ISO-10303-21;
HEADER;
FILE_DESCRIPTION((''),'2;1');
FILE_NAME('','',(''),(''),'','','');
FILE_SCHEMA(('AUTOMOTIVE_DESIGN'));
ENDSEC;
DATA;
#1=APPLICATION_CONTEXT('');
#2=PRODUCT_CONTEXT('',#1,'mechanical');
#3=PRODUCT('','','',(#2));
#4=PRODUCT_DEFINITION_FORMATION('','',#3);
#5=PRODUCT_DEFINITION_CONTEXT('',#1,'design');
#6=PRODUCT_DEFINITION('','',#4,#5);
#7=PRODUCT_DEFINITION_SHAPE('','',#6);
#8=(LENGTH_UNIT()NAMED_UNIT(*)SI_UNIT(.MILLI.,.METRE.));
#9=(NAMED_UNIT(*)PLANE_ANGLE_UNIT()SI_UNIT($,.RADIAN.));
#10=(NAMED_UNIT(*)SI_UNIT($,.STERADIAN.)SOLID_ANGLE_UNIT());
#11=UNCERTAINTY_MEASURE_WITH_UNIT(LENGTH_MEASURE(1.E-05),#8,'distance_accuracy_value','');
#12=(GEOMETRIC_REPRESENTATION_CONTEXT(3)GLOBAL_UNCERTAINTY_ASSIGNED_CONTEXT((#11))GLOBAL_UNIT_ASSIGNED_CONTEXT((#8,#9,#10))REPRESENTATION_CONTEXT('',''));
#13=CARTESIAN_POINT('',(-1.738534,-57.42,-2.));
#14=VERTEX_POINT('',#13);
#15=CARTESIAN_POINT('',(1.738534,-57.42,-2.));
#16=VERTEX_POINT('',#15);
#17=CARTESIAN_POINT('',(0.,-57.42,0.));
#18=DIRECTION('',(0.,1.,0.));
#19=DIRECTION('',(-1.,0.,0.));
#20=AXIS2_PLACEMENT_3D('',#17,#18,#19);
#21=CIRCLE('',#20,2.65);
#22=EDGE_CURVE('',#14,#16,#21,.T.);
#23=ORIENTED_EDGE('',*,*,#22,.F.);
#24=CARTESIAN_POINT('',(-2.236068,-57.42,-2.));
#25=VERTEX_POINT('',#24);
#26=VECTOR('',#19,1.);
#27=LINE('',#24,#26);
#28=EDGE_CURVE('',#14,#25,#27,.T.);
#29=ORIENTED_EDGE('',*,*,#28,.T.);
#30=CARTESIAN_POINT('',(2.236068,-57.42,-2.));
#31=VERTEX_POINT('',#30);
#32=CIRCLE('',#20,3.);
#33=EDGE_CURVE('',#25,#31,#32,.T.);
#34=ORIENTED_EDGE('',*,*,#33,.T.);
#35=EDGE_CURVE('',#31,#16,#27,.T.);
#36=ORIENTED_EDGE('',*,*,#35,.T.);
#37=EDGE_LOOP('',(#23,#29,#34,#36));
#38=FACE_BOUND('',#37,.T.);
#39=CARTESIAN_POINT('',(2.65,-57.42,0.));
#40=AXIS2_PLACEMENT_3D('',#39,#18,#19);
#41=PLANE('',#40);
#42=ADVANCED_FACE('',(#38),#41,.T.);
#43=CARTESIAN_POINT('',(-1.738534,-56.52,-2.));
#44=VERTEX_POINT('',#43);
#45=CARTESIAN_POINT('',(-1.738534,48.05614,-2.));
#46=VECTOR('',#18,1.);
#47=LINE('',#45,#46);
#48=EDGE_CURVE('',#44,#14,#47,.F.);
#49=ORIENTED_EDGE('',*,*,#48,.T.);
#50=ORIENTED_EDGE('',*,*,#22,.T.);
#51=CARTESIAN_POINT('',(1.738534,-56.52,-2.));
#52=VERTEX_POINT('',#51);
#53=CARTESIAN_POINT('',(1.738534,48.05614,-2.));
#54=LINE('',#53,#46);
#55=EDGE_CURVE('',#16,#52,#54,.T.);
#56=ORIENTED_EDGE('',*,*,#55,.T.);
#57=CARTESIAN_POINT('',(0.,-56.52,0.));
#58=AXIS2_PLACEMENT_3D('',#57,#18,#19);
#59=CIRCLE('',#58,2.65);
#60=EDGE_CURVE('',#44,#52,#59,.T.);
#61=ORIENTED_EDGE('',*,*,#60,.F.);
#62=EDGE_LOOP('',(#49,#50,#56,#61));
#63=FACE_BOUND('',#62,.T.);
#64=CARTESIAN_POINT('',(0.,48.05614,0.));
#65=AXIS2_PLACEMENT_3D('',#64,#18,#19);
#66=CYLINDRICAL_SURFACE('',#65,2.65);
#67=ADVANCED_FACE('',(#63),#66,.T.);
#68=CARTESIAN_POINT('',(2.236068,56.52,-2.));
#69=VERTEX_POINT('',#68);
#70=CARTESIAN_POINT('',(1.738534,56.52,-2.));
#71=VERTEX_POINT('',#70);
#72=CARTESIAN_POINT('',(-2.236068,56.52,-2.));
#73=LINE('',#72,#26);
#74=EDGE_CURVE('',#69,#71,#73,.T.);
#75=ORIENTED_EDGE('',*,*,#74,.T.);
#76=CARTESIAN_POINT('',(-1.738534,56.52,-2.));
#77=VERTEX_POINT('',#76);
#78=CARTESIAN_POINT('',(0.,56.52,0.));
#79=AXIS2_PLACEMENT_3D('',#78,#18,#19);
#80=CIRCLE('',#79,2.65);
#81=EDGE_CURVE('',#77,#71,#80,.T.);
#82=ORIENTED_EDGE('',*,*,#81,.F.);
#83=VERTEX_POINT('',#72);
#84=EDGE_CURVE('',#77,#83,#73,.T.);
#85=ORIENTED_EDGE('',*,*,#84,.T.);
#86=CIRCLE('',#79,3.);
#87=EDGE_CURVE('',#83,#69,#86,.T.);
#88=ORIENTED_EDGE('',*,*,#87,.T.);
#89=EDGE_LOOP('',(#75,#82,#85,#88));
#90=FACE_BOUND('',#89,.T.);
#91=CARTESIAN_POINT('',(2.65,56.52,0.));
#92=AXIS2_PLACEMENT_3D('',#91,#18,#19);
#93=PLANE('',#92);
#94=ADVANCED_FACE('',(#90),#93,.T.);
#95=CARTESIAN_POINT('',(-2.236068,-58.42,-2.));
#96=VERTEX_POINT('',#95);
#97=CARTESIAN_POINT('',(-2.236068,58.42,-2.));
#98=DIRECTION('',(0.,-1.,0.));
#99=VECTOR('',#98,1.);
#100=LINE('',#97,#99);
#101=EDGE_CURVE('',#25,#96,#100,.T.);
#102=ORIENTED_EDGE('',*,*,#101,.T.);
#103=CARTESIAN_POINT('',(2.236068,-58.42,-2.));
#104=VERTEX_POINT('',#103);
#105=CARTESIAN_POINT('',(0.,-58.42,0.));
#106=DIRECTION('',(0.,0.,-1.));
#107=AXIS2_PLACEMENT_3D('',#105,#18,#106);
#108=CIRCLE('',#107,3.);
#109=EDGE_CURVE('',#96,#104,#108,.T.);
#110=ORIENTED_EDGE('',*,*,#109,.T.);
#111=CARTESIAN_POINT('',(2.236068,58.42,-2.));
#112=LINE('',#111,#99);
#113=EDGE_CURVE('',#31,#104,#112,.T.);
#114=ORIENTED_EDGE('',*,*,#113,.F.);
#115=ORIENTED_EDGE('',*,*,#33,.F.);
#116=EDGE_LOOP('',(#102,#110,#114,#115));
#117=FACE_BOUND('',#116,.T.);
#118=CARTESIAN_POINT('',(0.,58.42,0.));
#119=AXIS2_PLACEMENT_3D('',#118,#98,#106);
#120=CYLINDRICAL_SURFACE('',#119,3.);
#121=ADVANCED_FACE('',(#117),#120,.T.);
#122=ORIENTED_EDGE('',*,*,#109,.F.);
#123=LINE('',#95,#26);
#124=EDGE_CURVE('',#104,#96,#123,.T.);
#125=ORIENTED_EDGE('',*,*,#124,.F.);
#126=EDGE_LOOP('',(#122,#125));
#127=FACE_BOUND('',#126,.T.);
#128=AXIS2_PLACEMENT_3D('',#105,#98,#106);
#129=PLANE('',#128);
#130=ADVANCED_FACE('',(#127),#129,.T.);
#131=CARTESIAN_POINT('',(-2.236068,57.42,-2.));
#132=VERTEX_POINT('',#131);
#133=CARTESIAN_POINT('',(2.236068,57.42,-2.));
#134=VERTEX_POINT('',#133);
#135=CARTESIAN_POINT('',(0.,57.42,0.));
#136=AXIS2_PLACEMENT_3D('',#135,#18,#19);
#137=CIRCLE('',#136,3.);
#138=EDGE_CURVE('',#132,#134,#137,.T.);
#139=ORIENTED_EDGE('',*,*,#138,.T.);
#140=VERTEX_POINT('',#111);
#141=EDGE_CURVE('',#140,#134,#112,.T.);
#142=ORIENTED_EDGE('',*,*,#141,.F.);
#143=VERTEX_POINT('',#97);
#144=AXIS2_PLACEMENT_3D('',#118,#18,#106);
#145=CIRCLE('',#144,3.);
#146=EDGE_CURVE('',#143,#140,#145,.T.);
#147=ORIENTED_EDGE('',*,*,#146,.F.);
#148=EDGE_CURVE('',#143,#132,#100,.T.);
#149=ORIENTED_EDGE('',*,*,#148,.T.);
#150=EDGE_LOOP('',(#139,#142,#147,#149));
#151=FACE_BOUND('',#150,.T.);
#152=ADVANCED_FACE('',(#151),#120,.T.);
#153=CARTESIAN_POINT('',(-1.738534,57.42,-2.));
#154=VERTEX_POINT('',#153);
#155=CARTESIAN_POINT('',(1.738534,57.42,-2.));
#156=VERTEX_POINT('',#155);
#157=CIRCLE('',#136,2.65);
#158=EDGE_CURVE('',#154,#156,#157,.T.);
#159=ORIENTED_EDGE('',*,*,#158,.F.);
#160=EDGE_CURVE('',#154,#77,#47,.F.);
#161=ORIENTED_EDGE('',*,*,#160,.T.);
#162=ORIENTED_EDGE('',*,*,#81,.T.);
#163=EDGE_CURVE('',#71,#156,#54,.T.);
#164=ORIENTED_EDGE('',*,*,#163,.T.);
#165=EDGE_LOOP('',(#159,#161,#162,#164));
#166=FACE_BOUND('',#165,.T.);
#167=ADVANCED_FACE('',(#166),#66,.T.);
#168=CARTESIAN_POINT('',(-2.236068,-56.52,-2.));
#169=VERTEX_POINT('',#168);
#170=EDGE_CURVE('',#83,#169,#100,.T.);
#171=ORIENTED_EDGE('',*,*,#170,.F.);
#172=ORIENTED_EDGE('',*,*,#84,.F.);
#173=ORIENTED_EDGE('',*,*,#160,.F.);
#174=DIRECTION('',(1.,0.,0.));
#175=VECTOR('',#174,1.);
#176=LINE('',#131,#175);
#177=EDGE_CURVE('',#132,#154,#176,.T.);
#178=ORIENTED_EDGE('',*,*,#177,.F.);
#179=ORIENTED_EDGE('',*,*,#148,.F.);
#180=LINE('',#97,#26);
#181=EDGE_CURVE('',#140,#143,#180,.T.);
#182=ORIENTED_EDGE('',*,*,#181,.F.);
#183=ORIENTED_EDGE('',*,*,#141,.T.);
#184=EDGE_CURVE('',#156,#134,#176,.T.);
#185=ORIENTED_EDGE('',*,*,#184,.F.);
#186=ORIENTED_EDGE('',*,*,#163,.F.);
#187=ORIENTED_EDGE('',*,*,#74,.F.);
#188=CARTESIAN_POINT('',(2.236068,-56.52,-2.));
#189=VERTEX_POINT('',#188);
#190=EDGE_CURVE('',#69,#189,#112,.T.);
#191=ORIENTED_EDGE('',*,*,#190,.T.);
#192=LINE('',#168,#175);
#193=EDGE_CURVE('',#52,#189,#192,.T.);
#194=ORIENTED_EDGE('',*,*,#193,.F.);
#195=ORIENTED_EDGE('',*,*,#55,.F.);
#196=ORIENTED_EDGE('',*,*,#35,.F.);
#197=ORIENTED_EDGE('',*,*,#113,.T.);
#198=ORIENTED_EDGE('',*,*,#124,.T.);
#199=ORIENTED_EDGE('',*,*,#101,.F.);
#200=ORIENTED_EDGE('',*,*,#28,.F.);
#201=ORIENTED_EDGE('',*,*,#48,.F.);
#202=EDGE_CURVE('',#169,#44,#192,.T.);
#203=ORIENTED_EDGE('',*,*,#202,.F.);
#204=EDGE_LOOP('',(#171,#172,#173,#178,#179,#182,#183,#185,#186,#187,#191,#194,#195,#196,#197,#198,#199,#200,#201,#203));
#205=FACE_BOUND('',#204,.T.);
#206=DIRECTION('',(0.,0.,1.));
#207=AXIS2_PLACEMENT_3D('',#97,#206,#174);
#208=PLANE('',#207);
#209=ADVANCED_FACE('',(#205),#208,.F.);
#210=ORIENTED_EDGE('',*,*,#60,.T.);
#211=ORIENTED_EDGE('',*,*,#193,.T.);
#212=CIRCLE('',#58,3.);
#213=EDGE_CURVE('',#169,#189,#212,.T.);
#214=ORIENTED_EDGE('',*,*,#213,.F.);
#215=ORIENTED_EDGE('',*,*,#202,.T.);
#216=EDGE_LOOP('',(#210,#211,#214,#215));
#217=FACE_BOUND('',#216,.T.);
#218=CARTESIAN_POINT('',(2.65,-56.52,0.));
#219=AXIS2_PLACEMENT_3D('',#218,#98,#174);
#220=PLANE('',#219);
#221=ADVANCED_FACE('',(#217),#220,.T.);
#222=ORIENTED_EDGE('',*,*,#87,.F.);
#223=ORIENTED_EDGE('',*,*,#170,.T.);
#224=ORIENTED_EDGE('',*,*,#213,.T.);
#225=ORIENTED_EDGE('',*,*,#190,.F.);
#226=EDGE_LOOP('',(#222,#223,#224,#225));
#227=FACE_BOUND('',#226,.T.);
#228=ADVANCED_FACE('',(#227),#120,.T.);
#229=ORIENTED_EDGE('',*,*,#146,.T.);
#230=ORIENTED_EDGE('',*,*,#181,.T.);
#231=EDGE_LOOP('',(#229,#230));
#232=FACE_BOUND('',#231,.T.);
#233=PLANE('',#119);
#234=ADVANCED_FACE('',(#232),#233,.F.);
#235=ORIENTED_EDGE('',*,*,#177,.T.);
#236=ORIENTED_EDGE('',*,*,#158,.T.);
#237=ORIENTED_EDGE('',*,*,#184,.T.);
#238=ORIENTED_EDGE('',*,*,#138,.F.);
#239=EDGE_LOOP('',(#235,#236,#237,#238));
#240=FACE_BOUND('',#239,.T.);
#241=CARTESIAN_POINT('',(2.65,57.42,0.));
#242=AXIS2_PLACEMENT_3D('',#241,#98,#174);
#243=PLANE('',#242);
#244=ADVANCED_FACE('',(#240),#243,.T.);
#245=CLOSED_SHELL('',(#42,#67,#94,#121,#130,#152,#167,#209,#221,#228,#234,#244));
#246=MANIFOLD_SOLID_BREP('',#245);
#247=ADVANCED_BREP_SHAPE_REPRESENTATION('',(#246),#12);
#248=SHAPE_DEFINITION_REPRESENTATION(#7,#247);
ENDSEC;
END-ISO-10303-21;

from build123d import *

# Parameters (mm, degrees)
BOSS_EXTRUDE1_DEPTH = 58.42
SKETCH2_W           = 0.35
SKETCH2_H           = 0.9


with BuildPart() as part:
    # Sketch1 → Boss-Extrude1 (new body, symmetric)
    with BuildSketch(Plane(origin=(0, 0, 0), x_dir=(1, 0, 0), z_dir=(0, 1, 0))):
        with BuildLine():
            Line((-2.236067977, 2), (2.236067977, 2))
            ThreePointArc((2.236067977, 2), (0, -3), (-2.236067977, 2))
        make_face()
    extrude(amount=BOSS_EXTRUDE1_DEPTH, both=True)

    # Sketch2 → Cut-Revolve1 (revolve, cut)
    with BuildSketch(Plane.XY):
        with Locations((2.825, 56.97)):
            Rectangle(SKETCH2_W, SKETCH2_H)
        with Locations((2.825, -56.97)):
            Rectangle(SKETCH2_W, SKETCH2_H)
    revolve(axis=Axis((0, 48.05613995, 0), (0, -1, 0)), mode=Mode.SUBTRACT)


solid = part.part
